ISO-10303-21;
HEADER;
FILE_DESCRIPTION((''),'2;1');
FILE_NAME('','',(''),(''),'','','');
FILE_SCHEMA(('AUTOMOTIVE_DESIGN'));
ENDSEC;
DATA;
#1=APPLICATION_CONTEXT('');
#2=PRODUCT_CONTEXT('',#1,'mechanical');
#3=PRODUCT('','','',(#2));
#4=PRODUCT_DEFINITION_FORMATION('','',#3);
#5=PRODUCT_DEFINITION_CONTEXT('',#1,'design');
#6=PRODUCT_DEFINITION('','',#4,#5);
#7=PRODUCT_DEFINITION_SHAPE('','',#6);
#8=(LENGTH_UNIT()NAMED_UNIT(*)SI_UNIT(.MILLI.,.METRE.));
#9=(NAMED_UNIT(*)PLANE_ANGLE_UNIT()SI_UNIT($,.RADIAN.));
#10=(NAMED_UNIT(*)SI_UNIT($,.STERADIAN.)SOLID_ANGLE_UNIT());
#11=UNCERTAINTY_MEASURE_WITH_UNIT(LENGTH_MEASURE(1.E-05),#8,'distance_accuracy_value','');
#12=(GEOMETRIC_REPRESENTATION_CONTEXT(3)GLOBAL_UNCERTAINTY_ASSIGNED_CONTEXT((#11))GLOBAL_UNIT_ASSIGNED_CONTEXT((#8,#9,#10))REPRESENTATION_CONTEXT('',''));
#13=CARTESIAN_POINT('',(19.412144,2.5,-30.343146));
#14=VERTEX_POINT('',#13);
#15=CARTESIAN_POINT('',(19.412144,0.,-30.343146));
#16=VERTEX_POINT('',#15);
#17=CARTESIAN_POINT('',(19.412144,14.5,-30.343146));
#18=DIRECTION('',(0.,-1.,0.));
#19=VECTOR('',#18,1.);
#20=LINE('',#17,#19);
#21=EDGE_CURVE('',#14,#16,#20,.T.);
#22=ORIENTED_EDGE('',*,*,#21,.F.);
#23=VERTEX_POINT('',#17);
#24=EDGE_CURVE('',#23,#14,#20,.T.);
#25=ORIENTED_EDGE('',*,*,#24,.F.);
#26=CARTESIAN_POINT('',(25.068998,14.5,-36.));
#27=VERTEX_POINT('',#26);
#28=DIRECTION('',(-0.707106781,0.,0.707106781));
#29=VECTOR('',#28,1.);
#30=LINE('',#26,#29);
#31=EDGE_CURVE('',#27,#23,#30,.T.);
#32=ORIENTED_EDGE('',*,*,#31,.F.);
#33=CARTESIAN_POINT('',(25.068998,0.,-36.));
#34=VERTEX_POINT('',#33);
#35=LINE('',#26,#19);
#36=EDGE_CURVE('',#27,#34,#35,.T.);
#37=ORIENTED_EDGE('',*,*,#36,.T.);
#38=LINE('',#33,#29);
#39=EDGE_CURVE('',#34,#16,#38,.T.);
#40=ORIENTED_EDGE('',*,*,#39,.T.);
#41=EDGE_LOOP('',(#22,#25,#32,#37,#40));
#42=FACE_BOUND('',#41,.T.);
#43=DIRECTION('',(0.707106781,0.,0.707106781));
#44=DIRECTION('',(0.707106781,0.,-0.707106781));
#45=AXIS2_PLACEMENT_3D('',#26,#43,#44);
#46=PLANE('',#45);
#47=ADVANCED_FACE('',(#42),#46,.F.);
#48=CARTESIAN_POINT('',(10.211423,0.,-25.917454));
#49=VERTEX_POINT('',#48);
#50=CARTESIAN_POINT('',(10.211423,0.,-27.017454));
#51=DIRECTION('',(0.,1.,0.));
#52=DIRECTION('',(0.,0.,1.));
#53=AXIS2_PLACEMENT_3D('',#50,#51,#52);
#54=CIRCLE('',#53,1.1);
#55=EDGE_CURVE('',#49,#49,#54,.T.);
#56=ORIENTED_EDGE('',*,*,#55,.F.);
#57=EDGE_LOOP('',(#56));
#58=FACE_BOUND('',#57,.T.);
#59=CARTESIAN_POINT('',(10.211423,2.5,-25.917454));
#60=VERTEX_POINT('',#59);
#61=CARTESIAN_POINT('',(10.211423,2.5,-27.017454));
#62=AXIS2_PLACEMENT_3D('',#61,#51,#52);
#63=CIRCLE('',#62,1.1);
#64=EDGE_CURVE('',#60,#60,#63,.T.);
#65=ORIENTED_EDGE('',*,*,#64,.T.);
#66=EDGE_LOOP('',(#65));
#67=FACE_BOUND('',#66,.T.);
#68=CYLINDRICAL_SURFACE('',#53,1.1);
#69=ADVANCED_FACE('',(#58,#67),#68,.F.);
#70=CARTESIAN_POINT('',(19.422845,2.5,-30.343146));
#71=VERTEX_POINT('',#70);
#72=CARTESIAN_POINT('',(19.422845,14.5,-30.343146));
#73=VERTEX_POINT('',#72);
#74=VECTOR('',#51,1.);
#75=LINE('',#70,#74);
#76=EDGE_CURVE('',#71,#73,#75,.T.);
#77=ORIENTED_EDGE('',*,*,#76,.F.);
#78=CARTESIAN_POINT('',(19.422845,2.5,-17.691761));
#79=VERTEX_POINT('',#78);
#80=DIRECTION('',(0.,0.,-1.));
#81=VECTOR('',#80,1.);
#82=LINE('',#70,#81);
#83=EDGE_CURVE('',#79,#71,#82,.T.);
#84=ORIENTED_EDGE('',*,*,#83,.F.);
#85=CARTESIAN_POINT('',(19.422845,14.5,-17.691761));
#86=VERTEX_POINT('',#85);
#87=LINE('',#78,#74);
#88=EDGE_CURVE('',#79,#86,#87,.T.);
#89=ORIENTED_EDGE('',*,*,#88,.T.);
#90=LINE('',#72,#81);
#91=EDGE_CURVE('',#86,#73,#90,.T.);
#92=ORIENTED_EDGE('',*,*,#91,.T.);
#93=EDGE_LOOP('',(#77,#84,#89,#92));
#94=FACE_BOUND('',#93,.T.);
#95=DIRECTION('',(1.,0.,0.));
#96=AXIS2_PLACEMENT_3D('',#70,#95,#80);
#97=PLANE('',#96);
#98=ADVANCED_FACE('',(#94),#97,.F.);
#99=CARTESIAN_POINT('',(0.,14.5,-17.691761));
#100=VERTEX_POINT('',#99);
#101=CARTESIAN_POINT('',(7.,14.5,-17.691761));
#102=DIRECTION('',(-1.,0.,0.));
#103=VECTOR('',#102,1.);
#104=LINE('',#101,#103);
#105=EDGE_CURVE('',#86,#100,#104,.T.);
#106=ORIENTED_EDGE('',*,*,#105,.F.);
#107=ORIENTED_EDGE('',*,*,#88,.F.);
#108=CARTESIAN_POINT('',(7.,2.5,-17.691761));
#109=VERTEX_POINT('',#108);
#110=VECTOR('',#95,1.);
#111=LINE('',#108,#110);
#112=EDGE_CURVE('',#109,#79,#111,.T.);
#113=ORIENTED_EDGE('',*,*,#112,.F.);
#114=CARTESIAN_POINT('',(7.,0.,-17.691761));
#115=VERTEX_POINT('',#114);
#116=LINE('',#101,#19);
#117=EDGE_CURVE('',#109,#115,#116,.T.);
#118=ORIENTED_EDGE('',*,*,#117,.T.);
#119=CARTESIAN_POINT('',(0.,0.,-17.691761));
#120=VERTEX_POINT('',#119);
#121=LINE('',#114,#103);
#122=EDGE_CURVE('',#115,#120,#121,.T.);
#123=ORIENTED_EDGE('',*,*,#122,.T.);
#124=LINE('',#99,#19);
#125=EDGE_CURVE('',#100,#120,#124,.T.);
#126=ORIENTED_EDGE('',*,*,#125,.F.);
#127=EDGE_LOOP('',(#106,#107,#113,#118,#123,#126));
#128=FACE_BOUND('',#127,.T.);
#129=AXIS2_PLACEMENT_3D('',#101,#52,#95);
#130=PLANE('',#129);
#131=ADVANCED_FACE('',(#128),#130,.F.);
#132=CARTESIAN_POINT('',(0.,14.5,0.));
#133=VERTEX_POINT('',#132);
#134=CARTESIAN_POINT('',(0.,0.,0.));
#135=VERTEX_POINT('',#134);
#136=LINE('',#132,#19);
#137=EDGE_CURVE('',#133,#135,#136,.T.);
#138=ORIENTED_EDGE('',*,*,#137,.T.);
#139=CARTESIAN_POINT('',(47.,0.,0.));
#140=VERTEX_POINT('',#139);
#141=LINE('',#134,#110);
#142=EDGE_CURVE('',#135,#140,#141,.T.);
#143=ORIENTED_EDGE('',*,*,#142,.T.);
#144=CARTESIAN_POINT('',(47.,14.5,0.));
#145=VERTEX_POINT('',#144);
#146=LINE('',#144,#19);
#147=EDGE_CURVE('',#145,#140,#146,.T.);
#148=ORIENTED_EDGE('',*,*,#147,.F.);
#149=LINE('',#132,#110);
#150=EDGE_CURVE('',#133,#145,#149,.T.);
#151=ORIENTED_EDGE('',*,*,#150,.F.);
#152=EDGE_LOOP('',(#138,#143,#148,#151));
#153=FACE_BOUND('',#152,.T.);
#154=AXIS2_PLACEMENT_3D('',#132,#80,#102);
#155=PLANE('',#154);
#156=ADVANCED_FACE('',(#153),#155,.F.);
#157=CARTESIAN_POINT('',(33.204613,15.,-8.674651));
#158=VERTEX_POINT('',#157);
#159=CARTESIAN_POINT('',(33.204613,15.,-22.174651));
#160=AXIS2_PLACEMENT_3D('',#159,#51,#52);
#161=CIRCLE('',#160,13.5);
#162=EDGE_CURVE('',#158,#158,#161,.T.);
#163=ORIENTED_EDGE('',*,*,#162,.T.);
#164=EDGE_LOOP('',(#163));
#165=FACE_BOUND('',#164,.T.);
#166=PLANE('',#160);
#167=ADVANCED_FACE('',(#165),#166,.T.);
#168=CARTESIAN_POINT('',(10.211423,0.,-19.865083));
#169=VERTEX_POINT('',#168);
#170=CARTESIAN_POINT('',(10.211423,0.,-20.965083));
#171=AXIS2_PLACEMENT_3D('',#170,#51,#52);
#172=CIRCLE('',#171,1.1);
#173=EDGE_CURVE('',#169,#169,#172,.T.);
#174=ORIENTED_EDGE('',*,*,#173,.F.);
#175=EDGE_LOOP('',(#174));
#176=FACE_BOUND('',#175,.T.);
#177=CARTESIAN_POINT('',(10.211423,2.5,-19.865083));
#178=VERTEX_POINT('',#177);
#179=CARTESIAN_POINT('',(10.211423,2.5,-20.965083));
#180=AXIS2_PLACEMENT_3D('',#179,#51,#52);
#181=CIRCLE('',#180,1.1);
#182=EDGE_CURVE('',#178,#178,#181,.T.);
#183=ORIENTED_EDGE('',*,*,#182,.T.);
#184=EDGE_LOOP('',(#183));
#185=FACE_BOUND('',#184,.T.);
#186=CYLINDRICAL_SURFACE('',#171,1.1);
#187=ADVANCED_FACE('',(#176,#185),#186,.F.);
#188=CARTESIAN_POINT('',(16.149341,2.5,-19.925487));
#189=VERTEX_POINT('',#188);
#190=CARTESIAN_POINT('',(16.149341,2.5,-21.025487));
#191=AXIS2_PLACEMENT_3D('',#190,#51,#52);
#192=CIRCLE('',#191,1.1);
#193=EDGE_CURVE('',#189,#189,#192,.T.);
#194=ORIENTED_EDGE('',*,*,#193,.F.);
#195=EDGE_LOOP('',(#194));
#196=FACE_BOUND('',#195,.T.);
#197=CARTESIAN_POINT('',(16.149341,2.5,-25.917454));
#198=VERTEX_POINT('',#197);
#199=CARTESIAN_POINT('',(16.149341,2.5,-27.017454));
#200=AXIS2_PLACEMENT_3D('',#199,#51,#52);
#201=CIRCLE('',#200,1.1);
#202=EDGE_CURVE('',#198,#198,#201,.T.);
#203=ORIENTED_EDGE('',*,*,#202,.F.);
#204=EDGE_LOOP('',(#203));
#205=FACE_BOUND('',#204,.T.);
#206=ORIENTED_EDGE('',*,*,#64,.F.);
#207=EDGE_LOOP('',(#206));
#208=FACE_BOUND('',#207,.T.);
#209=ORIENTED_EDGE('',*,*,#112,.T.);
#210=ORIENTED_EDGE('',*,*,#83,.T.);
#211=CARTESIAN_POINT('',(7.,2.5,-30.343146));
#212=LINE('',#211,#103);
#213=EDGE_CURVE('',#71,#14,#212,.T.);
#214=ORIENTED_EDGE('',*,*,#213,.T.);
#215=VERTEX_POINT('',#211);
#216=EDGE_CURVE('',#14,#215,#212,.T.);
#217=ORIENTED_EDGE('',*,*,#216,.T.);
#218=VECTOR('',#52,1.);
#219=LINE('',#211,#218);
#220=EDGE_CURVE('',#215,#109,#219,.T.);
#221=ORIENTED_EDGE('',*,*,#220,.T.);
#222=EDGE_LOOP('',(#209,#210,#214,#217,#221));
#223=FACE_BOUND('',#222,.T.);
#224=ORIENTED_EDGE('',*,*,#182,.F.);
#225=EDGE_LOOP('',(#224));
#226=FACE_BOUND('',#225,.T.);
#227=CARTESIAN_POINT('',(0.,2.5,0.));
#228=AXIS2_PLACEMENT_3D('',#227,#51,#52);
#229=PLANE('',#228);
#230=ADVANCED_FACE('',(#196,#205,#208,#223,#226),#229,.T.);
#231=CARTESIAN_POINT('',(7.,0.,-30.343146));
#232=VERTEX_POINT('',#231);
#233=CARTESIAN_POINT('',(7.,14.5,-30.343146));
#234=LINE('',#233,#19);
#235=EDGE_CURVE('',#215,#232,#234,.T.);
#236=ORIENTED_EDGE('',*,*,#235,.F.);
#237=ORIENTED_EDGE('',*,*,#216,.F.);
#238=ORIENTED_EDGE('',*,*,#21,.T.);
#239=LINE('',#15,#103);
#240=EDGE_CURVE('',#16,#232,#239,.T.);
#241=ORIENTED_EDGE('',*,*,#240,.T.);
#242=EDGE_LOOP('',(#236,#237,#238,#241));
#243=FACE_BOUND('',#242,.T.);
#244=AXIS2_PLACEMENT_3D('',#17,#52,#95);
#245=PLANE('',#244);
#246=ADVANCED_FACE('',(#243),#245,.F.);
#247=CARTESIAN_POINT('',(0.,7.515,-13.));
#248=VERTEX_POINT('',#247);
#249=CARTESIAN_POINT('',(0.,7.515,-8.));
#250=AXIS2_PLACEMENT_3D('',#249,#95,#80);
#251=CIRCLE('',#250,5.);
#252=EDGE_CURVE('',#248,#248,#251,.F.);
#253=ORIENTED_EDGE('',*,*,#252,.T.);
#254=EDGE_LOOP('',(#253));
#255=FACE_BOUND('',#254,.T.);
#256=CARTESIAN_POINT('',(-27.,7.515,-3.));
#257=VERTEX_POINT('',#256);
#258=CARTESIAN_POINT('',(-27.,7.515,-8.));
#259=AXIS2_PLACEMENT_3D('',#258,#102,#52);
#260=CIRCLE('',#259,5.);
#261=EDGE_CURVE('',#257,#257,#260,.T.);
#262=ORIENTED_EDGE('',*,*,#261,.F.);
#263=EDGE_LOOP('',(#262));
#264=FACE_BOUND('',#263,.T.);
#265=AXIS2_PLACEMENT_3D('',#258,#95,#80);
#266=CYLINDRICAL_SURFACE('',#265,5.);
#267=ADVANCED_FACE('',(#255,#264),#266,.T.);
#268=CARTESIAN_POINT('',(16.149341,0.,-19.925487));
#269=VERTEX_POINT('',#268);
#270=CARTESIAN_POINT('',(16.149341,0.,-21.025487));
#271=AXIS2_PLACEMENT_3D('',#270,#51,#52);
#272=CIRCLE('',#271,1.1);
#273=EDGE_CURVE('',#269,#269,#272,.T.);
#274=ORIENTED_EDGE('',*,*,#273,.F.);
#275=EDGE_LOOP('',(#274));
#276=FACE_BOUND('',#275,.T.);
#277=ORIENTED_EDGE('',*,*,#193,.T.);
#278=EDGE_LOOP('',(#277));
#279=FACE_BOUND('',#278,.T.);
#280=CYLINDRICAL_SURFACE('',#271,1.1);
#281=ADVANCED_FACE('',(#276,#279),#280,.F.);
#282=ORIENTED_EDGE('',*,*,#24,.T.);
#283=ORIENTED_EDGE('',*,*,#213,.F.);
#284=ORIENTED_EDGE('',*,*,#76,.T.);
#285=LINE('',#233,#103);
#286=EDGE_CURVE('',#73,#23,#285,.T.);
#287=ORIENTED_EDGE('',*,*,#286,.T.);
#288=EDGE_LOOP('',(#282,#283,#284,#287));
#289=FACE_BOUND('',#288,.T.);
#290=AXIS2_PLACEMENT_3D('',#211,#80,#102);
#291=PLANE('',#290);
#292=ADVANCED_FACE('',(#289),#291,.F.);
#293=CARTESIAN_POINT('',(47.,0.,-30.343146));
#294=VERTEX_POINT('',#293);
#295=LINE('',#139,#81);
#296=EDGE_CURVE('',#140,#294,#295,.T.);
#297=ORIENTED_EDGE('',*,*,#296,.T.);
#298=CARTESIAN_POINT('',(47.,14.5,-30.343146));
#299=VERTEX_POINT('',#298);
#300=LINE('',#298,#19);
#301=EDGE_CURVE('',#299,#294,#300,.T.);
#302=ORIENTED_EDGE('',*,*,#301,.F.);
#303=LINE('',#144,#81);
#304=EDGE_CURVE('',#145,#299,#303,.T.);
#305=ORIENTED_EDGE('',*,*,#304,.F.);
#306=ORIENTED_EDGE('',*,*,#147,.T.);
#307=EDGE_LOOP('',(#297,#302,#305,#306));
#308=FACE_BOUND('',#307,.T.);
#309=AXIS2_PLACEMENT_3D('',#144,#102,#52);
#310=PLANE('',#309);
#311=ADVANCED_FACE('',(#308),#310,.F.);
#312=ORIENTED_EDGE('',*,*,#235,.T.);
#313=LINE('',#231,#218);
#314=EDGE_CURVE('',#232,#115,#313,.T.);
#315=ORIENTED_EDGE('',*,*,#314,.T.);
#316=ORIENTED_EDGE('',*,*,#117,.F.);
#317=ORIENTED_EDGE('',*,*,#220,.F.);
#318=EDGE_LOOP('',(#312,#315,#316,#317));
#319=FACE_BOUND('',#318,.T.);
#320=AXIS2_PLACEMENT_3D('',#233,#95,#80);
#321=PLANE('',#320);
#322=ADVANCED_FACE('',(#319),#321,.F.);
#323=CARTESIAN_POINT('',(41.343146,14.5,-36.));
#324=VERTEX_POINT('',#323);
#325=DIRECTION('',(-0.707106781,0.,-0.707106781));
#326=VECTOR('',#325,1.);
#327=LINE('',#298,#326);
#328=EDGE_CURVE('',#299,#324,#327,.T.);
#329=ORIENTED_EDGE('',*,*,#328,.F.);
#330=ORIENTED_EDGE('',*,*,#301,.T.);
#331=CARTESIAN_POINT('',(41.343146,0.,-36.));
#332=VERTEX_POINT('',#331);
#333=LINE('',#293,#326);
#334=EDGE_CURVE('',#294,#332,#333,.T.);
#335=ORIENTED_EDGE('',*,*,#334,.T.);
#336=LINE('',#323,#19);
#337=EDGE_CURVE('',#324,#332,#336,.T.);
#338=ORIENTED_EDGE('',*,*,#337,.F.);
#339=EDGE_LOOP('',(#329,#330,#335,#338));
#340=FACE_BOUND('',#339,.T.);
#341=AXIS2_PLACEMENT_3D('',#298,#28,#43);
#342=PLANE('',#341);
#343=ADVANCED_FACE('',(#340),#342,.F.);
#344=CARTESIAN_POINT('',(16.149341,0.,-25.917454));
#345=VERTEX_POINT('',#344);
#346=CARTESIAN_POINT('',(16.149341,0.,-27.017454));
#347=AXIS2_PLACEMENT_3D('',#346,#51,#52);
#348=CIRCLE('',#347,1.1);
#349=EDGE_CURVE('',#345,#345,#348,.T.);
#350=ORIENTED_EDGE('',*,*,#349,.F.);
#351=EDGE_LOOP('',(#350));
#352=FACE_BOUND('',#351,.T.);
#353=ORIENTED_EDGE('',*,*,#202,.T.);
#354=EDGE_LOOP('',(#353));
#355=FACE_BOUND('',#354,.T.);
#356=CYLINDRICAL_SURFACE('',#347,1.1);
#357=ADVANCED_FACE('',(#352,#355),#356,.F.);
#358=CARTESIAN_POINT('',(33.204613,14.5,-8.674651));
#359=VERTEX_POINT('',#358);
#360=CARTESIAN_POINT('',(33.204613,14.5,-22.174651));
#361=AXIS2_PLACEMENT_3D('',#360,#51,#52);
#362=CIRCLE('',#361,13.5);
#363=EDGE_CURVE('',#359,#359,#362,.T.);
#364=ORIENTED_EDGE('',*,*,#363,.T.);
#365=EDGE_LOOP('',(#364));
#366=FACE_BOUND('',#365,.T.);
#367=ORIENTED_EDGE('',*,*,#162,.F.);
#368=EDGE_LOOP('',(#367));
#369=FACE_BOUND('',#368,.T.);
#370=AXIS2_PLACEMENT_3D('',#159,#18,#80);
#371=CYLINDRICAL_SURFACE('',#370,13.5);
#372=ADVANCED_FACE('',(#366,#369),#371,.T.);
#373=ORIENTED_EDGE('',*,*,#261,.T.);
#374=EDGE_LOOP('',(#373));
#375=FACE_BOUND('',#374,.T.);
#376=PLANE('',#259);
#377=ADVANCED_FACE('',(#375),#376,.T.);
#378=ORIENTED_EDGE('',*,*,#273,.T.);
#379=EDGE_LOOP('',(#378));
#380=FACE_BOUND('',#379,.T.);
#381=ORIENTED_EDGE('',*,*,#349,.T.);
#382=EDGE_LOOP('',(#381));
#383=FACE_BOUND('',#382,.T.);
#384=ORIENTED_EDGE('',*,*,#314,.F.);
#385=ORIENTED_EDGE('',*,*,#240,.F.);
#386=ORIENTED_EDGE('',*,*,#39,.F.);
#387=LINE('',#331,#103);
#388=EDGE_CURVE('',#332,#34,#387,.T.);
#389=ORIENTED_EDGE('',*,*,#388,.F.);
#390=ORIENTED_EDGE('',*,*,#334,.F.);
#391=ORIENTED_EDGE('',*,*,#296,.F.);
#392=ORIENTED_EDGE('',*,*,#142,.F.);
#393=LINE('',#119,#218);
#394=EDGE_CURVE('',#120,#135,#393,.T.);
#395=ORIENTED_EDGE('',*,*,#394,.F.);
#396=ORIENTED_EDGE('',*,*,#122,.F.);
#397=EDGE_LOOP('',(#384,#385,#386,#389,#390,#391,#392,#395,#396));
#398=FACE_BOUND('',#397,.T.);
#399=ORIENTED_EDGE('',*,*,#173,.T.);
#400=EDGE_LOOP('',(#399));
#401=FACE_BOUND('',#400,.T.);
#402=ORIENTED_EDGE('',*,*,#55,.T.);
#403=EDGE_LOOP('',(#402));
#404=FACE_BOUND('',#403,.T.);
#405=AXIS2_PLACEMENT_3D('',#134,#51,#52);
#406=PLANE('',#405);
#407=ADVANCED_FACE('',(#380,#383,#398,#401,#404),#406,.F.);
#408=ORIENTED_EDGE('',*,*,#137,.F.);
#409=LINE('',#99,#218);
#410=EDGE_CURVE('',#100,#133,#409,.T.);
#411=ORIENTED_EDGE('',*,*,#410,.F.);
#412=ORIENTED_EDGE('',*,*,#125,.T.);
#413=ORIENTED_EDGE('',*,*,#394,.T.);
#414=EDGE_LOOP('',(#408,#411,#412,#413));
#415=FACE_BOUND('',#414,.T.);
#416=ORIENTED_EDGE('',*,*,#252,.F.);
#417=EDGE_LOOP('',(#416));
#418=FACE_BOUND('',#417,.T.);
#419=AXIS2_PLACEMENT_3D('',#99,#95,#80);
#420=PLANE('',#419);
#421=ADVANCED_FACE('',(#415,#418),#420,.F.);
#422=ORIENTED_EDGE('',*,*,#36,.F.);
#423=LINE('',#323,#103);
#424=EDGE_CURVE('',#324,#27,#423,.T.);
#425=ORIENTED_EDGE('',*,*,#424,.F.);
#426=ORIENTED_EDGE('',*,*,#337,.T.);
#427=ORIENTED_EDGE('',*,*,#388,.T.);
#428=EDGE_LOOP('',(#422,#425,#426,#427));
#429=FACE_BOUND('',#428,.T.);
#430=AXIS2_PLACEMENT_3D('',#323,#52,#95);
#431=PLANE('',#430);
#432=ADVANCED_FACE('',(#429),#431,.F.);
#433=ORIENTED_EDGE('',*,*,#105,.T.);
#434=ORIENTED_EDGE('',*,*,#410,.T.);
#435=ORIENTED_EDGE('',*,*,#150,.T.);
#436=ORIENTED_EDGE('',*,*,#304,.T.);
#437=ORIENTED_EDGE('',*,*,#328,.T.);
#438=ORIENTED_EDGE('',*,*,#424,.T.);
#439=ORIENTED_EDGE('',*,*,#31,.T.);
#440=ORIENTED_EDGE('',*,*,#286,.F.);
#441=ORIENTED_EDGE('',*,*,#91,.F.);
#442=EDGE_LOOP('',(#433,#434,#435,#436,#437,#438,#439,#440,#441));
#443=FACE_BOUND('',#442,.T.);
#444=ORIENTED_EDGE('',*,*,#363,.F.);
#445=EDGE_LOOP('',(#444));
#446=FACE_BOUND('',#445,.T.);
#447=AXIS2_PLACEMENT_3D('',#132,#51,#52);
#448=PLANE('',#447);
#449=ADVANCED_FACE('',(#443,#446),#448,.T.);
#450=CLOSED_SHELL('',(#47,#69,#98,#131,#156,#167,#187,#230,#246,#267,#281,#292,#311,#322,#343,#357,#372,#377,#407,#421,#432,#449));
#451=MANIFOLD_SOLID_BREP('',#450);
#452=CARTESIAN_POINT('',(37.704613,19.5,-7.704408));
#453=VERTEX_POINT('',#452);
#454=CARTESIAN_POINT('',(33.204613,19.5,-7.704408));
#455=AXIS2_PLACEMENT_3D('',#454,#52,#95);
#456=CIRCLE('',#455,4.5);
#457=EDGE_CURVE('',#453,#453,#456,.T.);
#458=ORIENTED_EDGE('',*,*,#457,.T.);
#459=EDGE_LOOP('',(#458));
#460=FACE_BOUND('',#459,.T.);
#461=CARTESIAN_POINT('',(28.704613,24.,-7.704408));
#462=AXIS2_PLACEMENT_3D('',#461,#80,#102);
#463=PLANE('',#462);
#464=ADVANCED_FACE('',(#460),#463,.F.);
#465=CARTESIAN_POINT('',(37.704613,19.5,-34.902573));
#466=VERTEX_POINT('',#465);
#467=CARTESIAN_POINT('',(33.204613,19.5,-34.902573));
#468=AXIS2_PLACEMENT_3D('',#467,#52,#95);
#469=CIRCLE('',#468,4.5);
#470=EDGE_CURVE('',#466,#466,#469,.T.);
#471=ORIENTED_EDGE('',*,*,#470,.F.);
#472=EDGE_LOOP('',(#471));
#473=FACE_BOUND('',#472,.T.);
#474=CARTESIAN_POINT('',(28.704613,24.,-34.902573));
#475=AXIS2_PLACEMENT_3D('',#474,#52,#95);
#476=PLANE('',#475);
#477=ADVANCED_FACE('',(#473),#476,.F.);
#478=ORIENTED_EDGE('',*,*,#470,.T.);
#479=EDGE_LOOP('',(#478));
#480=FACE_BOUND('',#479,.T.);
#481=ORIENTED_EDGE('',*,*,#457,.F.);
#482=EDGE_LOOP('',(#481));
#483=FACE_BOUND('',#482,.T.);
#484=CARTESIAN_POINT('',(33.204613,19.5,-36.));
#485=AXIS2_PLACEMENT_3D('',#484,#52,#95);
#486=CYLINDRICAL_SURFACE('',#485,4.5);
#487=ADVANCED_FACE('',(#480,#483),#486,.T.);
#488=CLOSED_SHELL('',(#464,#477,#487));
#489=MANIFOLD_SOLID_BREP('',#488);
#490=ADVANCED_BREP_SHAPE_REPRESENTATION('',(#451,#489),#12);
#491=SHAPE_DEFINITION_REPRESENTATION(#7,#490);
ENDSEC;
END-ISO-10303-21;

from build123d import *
from build123d.topology import SkipClean

# Parameters (mm, degrees)
BOSS_EXTRUDE1_DEPTH = 14.5
SKETCH2_W           = 12.422845353
SKETCH2_H           = 12.651384387
CUT_EXTRUDE1_DEPTH  = 12
SKETCH3_R           = 1.1
CUT_EXTRUDE2_DEPTH  = 61.406953242
SKETCH4_R           = 5
BOSS_EXTRUDE2_DEPTH = 27
SKETCH5_R           = 13.5
BOSS_EXTRUDE3_DEPTH = 0.5
SKETCH6_W           = 9
SKETCH6_H           = 27.198164612
BOSS_EXTRUDE4_DEPTH = 9
CUT_EXTRUDE3_DEPTH  = 60.880218146


with BuildPart() as part:
    # Sketch1 → Boss-Extrude1 (new body)
    with BuildSketch(Plane(origin=(0, 0, 0), x_dir=(1, 0, 0), z_dir=(0, 1, 0))):
        Polygon((0, 0), (47, 0), (47, 30.343145751), (41.343145751, 36), (25.068998023, 36), (19.412143774, 30.343145751), (7, 30.343145751), (7, 17.691761364), (0, 17.691761364), align=None)
    extrude(amount=BOSS_EXTRUDE1_DEPTH)

    # Sketch2 → Cut-Extrude1 (cut)
    with BuildSketch(Plane(origin=(0, 14.5, 0), x_dir=(1, 0, 0), z_dir=(0, 1, 0))):
        with Locations((13.211422676, 24.017453558)):
            Rectangle(SKETCH2_W, SKETCH2_H)
    extrude(amount=-CUT_EXTRUDE1_DEPTH, mode=Mode.SUBTRACT)

    # Sketch3 → Cut-Extrude2 (cut, through all)
    with BuildSketch(Plane(origin=(0, 2.5, 0), x_dir=(1, 0, 0), z_dir=(0, 1, 0))):
        with Locations(Location((10.211422676, 27.017453557, 0), (0, 0, 270))):
            Circle(SKETCH3_R)
        with Locations(Location((16.149341191, 27.017453557, 0), (0, 0, 270))):
            Circle(SKETCH3_R)
        with Locations(Location((10.211422676, 20.965083317, 0), (0, 0, 270))):
            Circle(SKETCH3_R)
        with Locations(Location((16.149341191, 21.025487114, 0), (0, 0, 270))):
            Circle(SKETCH3_R)
    extrude(amount=-CUT_EXTRUDE2_DEPTH, mode=Mode.SUBTRACT)

    # Sketch4 → Boss-Extrude2 (add)
    with BuildSketch(Plane.ZY):
        with Locations(Location((-8, 7.514999755, 0), (0, 0, 180))):
            Circle(SKETCH4_R)
    extrude(amount=BOSS_EXTRUDE2_DEPTH)

    # Sketch5 → Boss-Extrude3 (add)
    with BuildSketch(Plane(origin=(0, 14.5, 0), x_dir=(1, 0, 0), z_dir=(0, 1, 0))):
        with Locations(Location((33.204612806, 22.174650575, 0), (0, 0, 270))):
            Circle(SKETCH5_R)
    extrude(amount=BOSS_EXTRUDE3_DEPTH)

    # Sketch6 → Boss-Extrude4 (add)
    with BuildSketch(Plane(origin=(0, 15, 0), x_dir=(1, 0, 0), z_dir=(0, 1, 0))):
        with Locations((33.204612806, 21.303490331)):
            Rectangle(SKETCH6_W, SKETCH6_H)
    extrude(amount=BOSS_EXTRUDE4_DEPTH)

    # Sketch7 → Cut-Extrude3 (cut, through all)
    with SkipClean():  # the faces are left unmerged after this step: merging them gives an invalid solid
        with BuildSketch(Plane.XY.offset(-7.704408025)):
            with BuildLine():
                Line((33.204612806, 24), (28.704612806, 24))
                Line((28.704612806, 24), (28.704612806, 19.5))
                ThreePointArc((28.704612806, 19.5), (30.022632291, 22.681980515), (33.204612806, 24))
            make_face()
            with BuildLine():
                Line((37.704612806, 24), (33.204612806, 24))
                ThreePointArc((33.204612806, 24), (36.386593321, 22.681980515), (37.704612806, 19.5))
                Line((37.704612806, 19.5), (37.704612806, 24))
            make_face()
            with BuildLine():
                Line((37.704612806, 15), (37.704612806, 19.5))
                ThreePointArc((37.704612806, 19.5), (36.386593321, 16.318019485), (33.204612806, 15))
                Line((33.204612806, 15), (37.704612806, 15))
            make_face()
            with BuildLine():
                ThreePointArc((33.204612806, 15), (30.022632291, 16.318019485), (28.704612806, 19.5))
                Line((28.704612806, 19.5), (28.704612806, 15))
                Line((28.704612806, 15), (33.204612806, 15))
            make_face()
        extrude(amount=-CUT_EXTRUDE3_DEPTH, mode=Mode.SUBTRACT)


with BuildPart() as cut_extrude3_piece_1:
    # of the separate pieces the step leaves, piece 1, a body of its own (cut_extrude3_pieces)
    add(part.part.solids().sort_by_distance((0, 0, 0))[0])


with BuildPart() as cut_extrude3_piece_2:
    # of the separate pieces the step leaves, piece 2, a body of its own (cut_extrude3_pieces)
    add(part.part.solids().sort_by_distance((37.704612806, 19.5, -7.704408025))[0])


solid = Compound([cut_extrude3_piece_1.part, cut_extrude3_piece_2.part])
